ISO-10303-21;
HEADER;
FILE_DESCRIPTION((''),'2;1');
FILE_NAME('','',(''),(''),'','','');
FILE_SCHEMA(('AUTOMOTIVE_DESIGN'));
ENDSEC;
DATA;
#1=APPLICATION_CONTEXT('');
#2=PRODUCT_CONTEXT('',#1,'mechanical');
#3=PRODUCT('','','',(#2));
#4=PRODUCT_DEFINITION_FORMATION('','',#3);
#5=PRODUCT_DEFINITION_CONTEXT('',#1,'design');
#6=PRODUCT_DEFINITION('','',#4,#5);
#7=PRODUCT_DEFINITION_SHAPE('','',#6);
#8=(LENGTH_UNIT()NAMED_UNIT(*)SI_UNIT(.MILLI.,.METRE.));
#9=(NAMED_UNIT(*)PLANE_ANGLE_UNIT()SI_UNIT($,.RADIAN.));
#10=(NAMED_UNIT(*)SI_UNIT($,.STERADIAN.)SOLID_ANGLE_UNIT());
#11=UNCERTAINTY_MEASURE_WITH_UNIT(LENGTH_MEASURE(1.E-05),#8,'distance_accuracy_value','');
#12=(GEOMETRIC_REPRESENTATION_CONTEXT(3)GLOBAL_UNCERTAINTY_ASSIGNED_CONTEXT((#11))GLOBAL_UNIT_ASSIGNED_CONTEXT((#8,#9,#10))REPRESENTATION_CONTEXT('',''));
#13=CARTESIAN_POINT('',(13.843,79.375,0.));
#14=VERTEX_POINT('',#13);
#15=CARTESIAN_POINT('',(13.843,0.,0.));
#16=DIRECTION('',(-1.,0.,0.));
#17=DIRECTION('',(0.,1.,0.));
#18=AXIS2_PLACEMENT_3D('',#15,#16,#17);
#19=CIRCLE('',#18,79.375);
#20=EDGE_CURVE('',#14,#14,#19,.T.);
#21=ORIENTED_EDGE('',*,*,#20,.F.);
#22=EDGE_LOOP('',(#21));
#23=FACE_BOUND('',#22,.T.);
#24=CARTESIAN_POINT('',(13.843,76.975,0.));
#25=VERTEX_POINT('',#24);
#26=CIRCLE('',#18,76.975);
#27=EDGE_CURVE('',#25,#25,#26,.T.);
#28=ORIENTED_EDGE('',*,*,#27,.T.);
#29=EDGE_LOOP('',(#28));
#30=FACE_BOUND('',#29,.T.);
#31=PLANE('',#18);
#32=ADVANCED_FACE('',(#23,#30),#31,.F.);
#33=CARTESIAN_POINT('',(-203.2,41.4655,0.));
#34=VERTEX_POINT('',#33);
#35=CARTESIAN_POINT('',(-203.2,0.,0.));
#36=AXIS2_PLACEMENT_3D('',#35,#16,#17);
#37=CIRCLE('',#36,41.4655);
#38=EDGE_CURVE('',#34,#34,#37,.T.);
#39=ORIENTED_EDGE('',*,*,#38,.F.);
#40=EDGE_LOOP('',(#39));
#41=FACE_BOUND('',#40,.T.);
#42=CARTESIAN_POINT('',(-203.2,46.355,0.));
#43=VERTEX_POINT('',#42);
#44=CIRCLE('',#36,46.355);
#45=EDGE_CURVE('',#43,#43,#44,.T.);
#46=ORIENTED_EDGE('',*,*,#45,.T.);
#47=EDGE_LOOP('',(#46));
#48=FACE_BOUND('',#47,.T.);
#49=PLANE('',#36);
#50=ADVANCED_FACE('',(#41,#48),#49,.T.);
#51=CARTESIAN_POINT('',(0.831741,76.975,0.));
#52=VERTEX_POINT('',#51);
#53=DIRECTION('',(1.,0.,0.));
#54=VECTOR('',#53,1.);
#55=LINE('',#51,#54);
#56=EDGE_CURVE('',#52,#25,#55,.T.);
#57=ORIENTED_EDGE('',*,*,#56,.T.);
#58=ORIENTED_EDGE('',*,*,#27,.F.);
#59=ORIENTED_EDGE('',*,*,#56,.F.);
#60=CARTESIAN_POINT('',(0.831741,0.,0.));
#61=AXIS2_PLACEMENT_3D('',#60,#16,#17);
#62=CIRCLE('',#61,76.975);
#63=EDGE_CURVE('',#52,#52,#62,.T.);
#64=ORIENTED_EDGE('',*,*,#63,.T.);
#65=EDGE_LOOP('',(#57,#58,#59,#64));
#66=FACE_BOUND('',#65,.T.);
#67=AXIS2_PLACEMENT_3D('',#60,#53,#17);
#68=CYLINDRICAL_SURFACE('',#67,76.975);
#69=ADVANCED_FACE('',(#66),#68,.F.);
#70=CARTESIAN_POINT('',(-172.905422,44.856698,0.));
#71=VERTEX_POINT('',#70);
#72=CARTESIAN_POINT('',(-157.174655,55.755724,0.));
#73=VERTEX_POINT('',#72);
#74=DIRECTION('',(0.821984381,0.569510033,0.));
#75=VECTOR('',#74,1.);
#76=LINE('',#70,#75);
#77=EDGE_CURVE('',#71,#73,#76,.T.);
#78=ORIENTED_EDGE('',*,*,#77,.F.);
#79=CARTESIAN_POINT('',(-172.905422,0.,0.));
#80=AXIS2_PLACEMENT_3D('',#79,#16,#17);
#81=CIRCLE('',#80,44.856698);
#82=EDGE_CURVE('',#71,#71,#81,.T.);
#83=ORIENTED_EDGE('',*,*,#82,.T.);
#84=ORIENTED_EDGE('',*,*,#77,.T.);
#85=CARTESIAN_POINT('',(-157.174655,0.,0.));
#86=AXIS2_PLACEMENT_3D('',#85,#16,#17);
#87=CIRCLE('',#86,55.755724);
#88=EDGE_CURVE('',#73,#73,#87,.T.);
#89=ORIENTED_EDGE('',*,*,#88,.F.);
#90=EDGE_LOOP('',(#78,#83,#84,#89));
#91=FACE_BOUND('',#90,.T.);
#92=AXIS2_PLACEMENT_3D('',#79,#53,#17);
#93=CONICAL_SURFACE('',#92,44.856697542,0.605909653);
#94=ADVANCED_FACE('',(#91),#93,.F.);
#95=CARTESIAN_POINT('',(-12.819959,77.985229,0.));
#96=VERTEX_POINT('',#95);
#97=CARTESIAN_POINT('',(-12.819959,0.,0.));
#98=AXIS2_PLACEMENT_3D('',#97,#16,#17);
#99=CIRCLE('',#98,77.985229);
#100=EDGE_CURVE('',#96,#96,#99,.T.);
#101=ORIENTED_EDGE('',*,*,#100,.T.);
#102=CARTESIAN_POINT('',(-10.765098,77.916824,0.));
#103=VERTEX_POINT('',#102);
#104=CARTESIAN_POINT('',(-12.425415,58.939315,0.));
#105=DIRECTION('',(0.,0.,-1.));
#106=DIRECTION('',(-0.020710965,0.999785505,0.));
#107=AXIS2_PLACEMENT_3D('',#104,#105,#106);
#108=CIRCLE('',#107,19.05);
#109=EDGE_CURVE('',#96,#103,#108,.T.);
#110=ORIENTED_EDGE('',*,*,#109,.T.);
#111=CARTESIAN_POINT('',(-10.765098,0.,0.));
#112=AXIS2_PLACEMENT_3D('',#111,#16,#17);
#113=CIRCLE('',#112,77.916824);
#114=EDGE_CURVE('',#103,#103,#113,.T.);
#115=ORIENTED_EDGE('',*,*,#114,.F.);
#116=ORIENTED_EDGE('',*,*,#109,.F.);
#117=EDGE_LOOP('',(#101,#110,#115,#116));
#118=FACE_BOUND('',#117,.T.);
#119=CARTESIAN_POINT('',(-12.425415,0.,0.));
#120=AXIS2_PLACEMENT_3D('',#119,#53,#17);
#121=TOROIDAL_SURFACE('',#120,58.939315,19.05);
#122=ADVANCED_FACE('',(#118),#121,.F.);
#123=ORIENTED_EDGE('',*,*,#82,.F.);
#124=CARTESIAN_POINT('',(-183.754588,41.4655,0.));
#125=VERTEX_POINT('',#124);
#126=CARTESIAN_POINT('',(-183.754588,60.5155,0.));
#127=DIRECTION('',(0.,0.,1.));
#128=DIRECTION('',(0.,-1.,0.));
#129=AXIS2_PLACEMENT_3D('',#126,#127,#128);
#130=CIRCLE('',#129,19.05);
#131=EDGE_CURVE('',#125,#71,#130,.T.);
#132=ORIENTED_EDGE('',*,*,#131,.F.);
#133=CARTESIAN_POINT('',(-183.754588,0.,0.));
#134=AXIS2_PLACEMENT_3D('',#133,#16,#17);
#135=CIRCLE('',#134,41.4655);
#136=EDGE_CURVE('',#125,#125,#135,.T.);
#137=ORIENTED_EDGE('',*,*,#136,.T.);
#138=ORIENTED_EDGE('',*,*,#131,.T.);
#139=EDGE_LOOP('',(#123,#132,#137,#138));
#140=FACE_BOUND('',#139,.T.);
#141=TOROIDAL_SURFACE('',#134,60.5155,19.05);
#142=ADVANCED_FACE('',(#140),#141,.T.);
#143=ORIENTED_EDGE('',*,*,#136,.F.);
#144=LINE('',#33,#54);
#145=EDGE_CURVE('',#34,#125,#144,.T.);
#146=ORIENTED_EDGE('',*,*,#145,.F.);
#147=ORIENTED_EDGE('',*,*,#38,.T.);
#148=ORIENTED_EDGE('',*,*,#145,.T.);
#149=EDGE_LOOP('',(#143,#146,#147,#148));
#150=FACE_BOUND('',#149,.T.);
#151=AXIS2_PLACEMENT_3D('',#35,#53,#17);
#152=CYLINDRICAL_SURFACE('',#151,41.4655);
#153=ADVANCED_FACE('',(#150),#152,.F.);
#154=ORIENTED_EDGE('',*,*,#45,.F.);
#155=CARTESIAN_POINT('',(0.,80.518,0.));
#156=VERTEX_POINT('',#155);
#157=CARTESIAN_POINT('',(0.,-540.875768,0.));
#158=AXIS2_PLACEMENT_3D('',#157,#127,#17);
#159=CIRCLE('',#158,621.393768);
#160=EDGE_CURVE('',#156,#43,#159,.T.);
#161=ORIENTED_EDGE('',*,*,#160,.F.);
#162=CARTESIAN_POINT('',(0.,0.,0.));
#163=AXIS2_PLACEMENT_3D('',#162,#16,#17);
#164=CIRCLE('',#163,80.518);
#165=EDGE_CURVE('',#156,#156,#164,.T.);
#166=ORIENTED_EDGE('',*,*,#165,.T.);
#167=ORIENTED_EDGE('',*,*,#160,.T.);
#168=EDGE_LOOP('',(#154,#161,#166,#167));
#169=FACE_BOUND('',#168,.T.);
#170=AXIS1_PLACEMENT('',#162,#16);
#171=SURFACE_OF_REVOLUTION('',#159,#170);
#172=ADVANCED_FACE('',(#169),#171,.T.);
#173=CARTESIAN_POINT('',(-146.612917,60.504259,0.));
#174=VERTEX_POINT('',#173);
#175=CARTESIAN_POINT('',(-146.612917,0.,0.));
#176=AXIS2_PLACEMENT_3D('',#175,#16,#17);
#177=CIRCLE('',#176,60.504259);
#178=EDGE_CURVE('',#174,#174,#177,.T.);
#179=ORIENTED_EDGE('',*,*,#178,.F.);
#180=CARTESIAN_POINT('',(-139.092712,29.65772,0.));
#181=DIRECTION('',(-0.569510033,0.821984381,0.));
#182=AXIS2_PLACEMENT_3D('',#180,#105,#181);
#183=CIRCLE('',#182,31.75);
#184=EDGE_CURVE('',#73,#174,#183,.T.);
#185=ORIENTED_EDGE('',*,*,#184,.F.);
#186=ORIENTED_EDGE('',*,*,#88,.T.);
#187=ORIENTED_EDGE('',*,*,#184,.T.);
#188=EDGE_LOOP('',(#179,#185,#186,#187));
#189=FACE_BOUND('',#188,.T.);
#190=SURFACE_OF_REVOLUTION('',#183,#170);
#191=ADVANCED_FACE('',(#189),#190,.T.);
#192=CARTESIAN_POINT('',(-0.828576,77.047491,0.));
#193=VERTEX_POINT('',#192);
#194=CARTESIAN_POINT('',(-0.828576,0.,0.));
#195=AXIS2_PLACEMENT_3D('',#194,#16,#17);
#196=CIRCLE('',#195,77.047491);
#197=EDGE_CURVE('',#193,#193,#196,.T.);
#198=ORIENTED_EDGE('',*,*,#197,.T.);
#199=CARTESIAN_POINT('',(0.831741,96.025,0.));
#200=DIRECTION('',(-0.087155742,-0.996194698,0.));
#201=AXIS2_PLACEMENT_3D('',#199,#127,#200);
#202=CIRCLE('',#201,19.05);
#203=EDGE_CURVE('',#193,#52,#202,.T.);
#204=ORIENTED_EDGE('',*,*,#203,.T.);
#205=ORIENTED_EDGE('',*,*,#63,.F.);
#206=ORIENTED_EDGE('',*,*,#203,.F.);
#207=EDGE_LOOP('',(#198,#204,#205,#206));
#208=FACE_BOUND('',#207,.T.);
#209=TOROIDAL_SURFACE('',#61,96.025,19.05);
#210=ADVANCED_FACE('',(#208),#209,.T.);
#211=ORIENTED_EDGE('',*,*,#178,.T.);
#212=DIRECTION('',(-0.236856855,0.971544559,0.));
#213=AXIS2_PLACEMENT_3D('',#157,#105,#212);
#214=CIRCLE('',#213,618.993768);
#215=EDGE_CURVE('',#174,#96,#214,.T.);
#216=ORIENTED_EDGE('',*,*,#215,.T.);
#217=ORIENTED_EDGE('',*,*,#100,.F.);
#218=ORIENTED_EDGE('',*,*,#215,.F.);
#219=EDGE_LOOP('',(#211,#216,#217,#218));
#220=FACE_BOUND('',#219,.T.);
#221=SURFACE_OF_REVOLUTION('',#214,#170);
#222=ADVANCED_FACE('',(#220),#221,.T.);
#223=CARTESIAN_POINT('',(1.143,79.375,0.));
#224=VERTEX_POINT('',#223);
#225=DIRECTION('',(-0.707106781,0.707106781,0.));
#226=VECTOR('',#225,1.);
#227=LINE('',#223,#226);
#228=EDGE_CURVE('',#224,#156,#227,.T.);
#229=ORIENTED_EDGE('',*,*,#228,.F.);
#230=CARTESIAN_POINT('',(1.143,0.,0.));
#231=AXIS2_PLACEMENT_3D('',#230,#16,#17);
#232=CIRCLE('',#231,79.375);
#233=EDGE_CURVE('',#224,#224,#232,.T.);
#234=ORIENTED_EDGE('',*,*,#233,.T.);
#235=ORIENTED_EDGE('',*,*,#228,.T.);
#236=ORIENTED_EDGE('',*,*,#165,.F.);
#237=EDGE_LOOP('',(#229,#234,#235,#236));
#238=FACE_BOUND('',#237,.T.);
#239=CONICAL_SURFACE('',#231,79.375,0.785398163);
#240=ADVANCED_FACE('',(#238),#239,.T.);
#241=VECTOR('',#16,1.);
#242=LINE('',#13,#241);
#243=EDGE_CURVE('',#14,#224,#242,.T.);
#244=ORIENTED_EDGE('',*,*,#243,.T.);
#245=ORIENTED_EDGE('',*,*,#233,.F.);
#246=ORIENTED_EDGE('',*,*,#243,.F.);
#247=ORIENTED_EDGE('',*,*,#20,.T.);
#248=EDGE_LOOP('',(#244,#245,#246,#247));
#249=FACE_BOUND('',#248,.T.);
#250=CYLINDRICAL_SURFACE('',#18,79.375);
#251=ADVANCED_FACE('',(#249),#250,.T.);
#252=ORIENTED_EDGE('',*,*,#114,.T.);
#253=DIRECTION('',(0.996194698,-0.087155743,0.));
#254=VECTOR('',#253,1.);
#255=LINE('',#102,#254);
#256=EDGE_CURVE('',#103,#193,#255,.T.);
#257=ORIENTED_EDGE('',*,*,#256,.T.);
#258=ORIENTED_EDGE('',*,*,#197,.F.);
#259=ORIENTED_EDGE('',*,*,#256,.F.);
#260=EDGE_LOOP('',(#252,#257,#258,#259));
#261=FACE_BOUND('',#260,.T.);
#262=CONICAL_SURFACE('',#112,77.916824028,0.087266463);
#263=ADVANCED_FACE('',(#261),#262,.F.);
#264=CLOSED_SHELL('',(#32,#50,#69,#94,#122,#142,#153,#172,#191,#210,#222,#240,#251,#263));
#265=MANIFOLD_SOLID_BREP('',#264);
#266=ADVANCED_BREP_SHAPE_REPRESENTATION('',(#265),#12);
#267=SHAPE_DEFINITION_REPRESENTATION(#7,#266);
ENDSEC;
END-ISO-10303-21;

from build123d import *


with BuildPart() as part:
    # Sketch1 → Revolve1 (revolve)
    with BuildSketch(Plane.XY):
        with BuildLine():
            Line((-203.2, 46.355), (-203.2, 41.4655))
            Line((-203.2, 41.4655), (-183.754587886, 41.4655))
            ThreePointArc((-183.754587886, 41.4655), (-178.071177239, 42.333053976), (-172.905421762, 44.856697542))
            Line((-172.905421762, 44.856697542), (-157.174655244, 55.755723803))
            ThreePointArc((-157.174655244, 55.755723803), (-152.112106925, 58.615583027), (-146.612916839, 60.504259459))
            ThreePointArc((-146.612916839, 60.504259459), (-80.194180108, 72.901209652), (-12.819958692, 77.985228898))
            ThreePointArc((-12.819958692, 77.985228898), (-11.791604784, 77.978768405), (-10.765097896, 77.916824028))
            Line((-10.765097896, 77.916824028), (-0.828575937, 77.047491001))
            ThreePointArc((-0.828575937, 77.047491001), (0.000791633, 76.993131379), (0.831740962, 76.975))
            Line((0.831740962, 76.975), (13.843, 76.975))
            Line((13.843, 76.975), (13.843, 79.375))
            Line((13.843, 79.375), (1.143, 79.375))
            Line((1.143, 79.375), (0, 80.518))
            ThreePointArc((0, 80.518), (-103.025907626, 71.917734953), (-203.2, 46.355))
        make_face()
    revolve(axis=Axis((0, 0, 0), (-1, 0, 0)))


solid = part.part
